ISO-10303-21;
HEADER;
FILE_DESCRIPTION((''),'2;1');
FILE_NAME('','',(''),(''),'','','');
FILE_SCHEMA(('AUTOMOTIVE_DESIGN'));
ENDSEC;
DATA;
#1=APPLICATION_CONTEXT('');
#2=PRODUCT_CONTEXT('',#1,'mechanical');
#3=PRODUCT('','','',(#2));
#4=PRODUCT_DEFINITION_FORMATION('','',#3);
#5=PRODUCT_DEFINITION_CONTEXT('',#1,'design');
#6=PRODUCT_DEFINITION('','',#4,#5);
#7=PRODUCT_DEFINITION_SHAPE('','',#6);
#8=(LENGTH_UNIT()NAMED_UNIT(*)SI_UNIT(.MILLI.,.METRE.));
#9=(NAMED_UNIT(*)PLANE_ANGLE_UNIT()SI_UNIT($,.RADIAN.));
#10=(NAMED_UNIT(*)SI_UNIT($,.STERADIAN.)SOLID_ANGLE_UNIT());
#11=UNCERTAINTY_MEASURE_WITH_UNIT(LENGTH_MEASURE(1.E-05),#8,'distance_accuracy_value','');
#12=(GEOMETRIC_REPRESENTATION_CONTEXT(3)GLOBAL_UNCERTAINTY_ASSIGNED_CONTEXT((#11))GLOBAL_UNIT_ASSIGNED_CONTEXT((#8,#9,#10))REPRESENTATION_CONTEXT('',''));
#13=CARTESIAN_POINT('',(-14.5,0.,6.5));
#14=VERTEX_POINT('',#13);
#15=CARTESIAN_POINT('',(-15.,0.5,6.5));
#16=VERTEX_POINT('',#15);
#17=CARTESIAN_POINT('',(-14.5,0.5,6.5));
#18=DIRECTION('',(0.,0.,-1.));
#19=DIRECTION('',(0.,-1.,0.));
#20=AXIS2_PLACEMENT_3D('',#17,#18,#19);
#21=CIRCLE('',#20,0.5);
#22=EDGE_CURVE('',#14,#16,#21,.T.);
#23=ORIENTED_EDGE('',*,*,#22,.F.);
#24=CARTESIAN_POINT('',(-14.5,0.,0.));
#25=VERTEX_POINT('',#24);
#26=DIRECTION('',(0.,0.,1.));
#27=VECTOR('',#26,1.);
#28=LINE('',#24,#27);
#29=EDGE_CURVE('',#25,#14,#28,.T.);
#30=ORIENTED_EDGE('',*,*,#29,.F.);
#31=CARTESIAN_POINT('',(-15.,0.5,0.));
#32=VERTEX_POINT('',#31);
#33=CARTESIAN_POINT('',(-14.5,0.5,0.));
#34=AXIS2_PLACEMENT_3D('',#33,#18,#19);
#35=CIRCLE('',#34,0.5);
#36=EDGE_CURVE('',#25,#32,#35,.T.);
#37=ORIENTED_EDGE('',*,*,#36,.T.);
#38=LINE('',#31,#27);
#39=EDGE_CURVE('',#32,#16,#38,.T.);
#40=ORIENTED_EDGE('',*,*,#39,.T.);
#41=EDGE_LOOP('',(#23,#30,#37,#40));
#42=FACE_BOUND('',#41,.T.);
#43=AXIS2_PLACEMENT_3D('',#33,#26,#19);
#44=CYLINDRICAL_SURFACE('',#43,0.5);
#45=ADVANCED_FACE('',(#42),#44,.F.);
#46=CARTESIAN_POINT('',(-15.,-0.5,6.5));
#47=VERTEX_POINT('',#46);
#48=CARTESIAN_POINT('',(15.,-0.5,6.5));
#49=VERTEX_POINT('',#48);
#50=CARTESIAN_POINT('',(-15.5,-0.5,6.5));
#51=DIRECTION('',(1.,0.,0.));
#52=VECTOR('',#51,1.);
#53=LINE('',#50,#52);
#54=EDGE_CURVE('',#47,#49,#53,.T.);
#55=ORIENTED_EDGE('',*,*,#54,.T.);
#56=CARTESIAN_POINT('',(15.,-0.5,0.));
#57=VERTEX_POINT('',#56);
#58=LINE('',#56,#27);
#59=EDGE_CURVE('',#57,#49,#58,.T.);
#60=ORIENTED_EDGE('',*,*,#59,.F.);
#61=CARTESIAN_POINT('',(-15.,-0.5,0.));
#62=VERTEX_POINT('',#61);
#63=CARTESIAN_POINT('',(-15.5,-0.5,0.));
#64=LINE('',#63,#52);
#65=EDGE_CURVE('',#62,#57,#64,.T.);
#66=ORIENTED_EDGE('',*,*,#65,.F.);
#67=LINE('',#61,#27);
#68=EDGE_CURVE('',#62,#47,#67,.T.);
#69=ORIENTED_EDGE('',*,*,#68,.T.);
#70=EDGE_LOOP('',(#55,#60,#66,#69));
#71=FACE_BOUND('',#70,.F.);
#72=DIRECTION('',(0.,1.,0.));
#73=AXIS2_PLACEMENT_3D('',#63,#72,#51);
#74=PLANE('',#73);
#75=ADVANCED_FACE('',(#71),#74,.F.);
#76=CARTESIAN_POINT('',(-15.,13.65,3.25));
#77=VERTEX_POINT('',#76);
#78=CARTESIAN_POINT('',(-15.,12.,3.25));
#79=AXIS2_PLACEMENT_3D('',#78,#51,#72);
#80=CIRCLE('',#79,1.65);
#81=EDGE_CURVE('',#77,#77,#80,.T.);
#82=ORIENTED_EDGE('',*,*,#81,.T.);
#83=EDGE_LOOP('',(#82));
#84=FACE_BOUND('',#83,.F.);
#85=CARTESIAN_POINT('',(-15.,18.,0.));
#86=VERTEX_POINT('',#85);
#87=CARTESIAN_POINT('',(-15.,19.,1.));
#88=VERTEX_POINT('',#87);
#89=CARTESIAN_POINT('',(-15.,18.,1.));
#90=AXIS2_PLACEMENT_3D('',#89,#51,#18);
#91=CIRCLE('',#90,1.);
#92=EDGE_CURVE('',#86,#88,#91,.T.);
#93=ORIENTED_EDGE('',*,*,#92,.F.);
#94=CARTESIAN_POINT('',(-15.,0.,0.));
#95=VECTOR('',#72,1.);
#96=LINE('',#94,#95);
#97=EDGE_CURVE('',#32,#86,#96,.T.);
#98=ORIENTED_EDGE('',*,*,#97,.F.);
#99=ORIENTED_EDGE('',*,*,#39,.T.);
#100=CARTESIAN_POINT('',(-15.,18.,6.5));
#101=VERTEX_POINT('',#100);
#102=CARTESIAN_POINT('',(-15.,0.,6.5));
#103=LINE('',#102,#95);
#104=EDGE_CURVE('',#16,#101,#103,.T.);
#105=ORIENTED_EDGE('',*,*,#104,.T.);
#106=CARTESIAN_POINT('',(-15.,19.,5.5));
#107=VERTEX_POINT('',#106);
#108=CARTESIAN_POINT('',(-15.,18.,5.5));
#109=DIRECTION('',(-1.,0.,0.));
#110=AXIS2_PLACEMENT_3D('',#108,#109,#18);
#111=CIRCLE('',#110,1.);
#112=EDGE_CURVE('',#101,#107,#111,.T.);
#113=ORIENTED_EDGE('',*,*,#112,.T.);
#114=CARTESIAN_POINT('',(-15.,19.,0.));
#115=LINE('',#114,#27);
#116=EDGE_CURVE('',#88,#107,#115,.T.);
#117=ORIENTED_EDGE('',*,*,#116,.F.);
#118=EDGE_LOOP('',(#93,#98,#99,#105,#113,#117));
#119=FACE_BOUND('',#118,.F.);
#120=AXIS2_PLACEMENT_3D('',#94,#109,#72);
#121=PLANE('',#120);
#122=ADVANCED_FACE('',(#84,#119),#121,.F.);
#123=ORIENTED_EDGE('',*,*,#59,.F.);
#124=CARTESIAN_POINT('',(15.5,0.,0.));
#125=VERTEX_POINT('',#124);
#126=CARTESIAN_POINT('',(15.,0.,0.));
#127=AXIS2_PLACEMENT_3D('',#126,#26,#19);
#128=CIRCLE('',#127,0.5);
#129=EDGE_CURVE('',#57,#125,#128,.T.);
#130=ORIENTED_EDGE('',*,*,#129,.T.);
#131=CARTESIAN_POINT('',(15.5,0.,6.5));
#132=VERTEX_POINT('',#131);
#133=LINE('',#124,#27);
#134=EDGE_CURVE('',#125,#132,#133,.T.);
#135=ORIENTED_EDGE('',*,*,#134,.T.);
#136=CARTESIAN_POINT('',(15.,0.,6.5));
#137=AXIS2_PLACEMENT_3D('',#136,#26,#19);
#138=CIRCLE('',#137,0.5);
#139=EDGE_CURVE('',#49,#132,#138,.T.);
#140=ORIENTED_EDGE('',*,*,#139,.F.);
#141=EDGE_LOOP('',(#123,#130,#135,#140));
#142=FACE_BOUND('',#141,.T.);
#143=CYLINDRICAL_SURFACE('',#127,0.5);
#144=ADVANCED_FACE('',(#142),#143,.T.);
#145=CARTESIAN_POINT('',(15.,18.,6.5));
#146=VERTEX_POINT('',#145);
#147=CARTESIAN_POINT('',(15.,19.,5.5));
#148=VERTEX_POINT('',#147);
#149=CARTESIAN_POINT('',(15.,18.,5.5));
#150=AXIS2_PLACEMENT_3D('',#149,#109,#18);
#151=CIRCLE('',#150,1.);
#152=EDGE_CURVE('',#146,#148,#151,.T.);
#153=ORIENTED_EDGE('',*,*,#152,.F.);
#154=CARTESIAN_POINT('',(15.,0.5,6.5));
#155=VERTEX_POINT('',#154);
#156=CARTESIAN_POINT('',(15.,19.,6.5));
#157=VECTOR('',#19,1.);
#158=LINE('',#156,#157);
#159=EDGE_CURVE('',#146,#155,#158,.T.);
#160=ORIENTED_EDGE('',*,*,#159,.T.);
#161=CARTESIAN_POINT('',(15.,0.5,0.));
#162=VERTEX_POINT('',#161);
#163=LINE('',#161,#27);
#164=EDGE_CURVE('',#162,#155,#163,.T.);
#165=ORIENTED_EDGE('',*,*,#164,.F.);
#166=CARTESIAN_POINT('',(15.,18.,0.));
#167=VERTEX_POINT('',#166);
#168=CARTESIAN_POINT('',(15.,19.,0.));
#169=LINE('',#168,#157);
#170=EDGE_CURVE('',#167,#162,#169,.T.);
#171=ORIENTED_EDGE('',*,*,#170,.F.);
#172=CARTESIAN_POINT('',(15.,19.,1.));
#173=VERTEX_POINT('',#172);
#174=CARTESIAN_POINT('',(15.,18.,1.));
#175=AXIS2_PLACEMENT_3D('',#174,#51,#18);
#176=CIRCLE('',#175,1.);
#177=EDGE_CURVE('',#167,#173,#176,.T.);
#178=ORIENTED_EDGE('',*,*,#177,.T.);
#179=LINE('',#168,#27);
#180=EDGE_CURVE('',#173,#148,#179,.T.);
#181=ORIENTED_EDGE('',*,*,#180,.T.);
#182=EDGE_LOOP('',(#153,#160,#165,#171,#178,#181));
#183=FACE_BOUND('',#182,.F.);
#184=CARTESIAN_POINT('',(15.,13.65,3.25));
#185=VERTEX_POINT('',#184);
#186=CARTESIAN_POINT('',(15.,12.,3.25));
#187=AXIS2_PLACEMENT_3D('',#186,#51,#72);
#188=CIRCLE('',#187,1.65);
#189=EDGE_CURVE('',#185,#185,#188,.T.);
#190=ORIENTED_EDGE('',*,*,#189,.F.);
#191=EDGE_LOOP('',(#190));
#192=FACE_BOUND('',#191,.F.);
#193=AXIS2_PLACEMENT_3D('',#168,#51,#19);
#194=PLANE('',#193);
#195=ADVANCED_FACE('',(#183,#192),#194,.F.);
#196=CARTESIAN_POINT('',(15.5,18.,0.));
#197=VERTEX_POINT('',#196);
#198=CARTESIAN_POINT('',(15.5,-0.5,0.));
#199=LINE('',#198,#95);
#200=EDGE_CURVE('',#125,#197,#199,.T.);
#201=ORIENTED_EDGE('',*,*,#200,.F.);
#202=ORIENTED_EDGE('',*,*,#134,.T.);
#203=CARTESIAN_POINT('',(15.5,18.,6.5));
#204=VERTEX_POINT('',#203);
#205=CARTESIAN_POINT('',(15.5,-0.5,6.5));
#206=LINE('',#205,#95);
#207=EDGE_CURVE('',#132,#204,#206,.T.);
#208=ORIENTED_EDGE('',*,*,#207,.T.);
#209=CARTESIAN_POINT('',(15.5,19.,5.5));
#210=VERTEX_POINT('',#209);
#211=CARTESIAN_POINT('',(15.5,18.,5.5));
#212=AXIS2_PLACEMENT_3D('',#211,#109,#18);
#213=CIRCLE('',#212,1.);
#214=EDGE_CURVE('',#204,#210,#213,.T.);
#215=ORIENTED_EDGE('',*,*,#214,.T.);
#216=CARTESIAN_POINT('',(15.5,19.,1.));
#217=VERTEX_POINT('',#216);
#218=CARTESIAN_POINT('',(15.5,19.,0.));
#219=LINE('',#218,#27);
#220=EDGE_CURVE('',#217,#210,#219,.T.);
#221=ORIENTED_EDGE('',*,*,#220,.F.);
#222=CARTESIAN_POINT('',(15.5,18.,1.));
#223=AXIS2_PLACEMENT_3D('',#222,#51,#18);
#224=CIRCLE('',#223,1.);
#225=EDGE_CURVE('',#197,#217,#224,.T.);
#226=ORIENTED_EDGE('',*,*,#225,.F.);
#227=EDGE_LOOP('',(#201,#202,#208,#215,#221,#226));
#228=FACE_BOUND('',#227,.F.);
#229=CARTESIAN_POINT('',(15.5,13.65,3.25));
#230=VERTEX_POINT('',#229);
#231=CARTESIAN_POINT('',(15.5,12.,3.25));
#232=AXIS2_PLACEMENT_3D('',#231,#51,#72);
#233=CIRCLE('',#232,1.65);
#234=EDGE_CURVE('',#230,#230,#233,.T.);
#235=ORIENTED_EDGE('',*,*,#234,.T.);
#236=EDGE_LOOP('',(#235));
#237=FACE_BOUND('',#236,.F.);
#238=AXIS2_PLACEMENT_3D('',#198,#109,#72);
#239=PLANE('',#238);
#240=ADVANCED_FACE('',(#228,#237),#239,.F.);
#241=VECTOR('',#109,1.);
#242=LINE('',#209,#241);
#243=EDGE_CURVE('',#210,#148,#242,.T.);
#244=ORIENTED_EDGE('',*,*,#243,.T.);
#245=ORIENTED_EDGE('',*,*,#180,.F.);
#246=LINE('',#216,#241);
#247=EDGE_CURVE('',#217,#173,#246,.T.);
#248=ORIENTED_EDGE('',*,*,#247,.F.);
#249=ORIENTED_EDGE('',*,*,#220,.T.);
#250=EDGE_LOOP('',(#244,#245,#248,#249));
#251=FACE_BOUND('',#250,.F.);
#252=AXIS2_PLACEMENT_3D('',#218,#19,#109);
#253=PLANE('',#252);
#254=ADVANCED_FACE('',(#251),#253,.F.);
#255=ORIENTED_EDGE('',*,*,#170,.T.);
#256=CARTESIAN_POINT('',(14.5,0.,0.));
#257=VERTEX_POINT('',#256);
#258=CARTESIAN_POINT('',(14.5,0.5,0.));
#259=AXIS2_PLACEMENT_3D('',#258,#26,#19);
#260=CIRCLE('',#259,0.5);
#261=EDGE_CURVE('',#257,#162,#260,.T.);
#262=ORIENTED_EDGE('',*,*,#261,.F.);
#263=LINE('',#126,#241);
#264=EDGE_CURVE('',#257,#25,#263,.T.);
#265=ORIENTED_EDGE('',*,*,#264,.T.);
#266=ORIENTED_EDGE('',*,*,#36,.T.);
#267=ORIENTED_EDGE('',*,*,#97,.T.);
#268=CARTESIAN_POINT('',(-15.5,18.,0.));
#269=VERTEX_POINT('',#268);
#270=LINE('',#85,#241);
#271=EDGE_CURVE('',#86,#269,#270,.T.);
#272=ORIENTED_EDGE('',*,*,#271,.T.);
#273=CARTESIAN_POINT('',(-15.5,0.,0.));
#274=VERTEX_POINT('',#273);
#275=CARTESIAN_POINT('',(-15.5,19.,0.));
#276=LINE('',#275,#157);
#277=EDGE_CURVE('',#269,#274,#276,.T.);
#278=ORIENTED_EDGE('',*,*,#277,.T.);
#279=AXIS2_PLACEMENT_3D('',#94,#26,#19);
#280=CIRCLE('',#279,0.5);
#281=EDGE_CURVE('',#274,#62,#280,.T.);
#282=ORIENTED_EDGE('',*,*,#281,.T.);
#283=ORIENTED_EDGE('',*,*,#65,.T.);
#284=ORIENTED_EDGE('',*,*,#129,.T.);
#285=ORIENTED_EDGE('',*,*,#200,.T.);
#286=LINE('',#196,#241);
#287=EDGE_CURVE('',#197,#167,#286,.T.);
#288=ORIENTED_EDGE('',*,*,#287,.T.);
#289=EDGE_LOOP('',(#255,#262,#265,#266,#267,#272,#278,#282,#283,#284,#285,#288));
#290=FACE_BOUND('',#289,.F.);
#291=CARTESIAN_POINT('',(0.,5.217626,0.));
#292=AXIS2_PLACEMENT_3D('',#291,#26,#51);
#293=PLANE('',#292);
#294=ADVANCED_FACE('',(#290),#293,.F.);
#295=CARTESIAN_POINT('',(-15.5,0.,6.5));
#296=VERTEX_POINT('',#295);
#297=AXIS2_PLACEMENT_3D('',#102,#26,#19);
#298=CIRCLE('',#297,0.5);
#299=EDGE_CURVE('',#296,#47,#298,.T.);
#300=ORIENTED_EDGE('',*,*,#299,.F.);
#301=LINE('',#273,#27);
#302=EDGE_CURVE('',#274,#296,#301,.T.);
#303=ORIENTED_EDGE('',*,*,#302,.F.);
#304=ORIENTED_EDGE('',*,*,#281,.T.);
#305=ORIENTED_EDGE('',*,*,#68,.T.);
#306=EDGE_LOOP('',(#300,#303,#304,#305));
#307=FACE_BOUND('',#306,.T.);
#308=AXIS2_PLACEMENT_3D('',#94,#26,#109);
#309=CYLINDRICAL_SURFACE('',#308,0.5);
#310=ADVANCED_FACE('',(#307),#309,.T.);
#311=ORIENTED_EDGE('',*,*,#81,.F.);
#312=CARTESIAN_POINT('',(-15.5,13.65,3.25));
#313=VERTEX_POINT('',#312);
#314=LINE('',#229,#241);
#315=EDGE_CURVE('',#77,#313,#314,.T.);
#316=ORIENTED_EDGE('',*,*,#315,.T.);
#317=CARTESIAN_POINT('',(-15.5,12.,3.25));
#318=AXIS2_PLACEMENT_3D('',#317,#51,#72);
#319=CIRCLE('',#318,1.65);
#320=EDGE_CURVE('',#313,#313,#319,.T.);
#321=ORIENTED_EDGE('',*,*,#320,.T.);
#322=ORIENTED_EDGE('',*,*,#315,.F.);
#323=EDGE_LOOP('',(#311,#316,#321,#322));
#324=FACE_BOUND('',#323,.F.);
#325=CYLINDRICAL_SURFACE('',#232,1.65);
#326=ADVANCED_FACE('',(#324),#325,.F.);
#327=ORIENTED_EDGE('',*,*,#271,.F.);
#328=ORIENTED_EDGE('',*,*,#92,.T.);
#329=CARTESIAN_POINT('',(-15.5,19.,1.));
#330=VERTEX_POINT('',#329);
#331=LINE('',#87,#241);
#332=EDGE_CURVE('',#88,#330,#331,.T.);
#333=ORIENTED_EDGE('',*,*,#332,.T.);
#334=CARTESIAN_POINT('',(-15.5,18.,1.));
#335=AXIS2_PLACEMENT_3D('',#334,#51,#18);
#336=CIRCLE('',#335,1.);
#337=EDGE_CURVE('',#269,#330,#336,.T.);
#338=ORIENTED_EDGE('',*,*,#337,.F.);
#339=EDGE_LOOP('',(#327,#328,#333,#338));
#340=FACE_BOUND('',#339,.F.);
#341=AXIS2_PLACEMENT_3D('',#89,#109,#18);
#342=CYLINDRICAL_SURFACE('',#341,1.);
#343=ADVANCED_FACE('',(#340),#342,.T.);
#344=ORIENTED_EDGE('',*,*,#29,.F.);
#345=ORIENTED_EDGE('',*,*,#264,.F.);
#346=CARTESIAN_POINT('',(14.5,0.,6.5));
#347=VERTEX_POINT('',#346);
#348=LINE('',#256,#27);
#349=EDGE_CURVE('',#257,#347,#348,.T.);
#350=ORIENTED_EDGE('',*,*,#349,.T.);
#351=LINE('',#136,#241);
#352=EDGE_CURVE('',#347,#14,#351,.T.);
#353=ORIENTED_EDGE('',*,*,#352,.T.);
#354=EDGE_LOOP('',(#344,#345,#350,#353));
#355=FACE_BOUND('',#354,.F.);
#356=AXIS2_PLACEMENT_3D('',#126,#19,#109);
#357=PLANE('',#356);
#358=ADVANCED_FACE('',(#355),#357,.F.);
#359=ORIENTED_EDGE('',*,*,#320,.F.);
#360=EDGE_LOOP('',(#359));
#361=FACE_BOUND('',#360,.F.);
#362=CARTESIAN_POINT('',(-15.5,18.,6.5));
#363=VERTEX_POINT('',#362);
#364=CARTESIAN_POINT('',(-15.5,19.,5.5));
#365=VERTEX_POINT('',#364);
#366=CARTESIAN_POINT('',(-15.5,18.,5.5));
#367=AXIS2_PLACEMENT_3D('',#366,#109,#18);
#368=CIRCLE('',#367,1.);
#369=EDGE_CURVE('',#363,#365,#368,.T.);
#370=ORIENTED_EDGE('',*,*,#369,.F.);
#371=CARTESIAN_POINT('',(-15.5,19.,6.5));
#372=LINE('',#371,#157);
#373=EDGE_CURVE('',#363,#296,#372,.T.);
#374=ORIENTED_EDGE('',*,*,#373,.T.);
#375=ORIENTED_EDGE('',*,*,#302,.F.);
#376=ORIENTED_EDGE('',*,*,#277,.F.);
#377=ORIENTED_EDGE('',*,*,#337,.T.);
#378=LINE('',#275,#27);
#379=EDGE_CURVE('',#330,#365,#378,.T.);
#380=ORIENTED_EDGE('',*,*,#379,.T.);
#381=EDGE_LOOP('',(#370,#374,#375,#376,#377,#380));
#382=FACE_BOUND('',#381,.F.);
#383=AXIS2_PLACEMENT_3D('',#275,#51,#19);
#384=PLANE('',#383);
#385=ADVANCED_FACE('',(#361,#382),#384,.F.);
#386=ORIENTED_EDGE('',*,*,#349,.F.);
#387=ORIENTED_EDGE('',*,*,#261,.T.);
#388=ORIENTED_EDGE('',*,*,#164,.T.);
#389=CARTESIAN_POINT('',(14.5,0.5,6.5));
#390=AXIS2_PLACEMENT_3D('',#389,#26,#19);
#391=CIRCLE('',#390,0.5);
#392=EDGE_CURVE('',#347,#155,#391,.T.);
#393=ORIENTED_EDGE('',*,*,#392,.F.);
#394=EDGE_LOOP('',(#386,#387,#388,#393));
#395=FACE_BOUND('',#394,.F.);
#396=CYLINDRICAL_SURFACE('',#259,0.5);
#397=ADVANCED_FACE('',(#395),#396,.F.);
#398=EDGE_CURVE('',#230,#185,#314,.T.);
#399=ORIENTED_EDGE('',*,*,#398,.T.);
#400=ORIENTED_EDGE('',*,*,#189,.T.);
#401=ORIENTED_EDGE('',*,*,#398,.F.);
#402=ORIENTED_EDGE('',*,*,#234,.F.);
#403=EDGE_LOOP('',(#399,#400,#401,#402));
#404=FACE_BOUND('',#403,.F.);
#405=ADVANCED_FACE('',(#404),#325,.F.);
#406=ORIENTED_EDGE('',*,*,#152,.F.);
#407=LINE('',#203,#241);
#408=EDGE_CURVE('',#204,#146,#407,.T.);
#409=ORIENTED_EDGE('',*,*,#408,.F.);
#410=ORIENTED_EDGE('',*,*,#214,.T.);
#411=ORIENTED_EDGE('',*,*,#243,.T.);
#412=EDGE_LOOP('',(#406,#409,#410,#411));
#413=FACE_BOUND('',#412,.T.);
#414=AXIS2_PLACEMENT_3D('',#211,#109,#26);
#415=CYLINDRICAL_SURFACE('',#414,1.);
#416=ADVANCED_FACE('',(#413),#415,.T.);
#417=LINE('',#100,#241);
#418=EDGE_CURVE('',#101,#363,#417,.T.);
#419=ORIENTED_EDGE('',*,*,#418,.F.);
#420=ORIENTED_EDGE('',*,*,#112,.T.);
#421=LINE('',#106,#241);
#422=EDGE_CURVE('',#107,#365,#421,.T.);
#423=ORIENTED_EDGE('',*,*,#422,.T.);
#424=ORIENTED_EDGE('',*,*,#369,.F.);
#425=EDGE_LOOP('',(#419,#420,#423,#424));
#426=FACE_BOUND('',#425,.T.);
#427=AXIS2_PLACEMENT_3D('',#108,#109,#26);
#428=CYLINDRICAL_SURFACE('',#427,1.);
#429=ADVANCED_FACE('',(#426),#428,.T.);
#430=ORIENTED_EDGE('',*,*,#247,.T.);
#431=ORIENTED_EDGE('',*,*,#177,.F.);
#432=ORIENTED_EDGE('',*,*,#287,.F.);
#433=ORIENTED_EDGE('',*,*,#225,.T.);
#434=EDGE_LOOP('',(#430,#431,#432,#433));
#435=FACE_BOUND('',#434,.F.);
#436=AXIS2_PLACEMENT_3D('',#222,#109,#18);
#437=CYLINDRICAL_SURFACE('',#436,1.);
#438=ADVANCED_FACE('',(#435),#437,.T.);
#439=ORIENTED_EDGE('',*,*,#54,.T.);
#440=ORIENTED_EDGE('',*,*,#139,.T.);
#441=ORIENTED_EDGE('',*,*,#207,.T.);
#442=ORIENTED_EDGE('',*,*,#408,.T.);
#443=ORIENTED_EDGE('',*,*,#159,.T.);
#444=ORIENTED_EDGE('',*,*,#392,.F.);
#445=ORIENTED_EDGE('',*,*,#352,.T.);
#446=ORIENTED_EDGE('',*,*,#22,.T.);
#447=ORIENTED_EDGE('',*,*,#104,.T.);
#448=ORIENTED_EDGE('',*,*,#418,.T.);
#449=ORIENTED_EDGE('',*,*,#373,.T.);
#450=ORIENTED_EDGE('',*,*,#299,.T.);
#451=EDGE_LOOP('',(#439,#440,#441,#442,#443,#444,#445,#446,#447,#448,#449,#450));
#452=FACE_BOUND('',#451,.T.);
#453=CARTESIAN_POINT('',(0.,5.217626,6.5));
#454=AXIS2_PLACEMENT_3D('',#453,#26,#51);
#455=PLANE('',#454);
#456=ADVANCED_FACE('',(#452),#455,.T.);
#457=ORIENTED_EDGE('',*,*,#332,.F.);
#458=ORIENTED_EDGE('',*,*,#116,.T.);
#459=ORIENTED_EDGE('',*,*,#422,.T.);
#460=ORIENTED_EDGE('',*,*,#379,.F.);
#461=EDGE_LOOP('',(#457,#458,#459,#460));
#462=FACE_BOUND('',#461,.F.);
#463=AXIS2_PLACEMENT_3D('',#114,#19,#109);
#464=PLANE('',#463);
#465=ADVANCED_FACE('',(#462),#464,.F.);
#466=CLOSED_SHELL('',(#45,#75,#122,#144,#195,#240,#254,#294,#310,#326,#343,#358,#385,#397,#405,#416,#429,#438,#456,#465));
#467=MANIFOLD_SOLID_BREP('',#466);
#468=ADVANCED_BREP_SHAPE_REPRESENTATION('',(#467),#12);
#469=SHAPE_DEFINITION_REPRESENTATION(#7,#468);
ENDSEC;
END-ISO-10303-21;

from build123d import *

# Parameters (mm, degrees)
F1_DEPTH = 6.5
F2_R     = 1.65
F3_DEPTH = 31.001
F4_R     = 0.5
F5_R     = 1


with BuildPart() as f1:
    # F0 (on Top) → F1 (new body)
    with BuildSketch(Plane.XY):
        Polygon((15, 0), (-15, 0), (-15, 19), (-15.5, 19), (-15.5, -0.5), (15.5, -0.5), (15.5, 19), (15, 19), align=None)
    extrude(amount=F1_DEPTH)

    # F2 (on face) → F3 (cut, through all)
    with BuildSketch(Plane.YZ.offset(15.5)):
        with Locations((12, 3.25)):
            Circle(F2_R)
    extrude(amount=-F3_DEPTH, mode=Mode.SUBTRACT)

    # F4
    f4_edges = [f1.edges().sort_by_distance(p)[0] for p in [
        (-15.5, -0.5, 3.25),
        (15.5, -0.5, 3.25),
        (15, 0, 3.25),
        (-15, 0, 3.25),
    ]]
    fillet(f4_edges, radius=F4_R)

    # F5
    f5_edges = [f1.edges().sort_by_distance(p)[0] for p in [
        (-15.25, 19, 6.5),
        (-15.25, 19, 0),
        (15.25, 19, 6.5),
        (15.25, 19, 0),
    ]]
    fillet(f5_edges, radius=F5_R)


solid = f1.part
